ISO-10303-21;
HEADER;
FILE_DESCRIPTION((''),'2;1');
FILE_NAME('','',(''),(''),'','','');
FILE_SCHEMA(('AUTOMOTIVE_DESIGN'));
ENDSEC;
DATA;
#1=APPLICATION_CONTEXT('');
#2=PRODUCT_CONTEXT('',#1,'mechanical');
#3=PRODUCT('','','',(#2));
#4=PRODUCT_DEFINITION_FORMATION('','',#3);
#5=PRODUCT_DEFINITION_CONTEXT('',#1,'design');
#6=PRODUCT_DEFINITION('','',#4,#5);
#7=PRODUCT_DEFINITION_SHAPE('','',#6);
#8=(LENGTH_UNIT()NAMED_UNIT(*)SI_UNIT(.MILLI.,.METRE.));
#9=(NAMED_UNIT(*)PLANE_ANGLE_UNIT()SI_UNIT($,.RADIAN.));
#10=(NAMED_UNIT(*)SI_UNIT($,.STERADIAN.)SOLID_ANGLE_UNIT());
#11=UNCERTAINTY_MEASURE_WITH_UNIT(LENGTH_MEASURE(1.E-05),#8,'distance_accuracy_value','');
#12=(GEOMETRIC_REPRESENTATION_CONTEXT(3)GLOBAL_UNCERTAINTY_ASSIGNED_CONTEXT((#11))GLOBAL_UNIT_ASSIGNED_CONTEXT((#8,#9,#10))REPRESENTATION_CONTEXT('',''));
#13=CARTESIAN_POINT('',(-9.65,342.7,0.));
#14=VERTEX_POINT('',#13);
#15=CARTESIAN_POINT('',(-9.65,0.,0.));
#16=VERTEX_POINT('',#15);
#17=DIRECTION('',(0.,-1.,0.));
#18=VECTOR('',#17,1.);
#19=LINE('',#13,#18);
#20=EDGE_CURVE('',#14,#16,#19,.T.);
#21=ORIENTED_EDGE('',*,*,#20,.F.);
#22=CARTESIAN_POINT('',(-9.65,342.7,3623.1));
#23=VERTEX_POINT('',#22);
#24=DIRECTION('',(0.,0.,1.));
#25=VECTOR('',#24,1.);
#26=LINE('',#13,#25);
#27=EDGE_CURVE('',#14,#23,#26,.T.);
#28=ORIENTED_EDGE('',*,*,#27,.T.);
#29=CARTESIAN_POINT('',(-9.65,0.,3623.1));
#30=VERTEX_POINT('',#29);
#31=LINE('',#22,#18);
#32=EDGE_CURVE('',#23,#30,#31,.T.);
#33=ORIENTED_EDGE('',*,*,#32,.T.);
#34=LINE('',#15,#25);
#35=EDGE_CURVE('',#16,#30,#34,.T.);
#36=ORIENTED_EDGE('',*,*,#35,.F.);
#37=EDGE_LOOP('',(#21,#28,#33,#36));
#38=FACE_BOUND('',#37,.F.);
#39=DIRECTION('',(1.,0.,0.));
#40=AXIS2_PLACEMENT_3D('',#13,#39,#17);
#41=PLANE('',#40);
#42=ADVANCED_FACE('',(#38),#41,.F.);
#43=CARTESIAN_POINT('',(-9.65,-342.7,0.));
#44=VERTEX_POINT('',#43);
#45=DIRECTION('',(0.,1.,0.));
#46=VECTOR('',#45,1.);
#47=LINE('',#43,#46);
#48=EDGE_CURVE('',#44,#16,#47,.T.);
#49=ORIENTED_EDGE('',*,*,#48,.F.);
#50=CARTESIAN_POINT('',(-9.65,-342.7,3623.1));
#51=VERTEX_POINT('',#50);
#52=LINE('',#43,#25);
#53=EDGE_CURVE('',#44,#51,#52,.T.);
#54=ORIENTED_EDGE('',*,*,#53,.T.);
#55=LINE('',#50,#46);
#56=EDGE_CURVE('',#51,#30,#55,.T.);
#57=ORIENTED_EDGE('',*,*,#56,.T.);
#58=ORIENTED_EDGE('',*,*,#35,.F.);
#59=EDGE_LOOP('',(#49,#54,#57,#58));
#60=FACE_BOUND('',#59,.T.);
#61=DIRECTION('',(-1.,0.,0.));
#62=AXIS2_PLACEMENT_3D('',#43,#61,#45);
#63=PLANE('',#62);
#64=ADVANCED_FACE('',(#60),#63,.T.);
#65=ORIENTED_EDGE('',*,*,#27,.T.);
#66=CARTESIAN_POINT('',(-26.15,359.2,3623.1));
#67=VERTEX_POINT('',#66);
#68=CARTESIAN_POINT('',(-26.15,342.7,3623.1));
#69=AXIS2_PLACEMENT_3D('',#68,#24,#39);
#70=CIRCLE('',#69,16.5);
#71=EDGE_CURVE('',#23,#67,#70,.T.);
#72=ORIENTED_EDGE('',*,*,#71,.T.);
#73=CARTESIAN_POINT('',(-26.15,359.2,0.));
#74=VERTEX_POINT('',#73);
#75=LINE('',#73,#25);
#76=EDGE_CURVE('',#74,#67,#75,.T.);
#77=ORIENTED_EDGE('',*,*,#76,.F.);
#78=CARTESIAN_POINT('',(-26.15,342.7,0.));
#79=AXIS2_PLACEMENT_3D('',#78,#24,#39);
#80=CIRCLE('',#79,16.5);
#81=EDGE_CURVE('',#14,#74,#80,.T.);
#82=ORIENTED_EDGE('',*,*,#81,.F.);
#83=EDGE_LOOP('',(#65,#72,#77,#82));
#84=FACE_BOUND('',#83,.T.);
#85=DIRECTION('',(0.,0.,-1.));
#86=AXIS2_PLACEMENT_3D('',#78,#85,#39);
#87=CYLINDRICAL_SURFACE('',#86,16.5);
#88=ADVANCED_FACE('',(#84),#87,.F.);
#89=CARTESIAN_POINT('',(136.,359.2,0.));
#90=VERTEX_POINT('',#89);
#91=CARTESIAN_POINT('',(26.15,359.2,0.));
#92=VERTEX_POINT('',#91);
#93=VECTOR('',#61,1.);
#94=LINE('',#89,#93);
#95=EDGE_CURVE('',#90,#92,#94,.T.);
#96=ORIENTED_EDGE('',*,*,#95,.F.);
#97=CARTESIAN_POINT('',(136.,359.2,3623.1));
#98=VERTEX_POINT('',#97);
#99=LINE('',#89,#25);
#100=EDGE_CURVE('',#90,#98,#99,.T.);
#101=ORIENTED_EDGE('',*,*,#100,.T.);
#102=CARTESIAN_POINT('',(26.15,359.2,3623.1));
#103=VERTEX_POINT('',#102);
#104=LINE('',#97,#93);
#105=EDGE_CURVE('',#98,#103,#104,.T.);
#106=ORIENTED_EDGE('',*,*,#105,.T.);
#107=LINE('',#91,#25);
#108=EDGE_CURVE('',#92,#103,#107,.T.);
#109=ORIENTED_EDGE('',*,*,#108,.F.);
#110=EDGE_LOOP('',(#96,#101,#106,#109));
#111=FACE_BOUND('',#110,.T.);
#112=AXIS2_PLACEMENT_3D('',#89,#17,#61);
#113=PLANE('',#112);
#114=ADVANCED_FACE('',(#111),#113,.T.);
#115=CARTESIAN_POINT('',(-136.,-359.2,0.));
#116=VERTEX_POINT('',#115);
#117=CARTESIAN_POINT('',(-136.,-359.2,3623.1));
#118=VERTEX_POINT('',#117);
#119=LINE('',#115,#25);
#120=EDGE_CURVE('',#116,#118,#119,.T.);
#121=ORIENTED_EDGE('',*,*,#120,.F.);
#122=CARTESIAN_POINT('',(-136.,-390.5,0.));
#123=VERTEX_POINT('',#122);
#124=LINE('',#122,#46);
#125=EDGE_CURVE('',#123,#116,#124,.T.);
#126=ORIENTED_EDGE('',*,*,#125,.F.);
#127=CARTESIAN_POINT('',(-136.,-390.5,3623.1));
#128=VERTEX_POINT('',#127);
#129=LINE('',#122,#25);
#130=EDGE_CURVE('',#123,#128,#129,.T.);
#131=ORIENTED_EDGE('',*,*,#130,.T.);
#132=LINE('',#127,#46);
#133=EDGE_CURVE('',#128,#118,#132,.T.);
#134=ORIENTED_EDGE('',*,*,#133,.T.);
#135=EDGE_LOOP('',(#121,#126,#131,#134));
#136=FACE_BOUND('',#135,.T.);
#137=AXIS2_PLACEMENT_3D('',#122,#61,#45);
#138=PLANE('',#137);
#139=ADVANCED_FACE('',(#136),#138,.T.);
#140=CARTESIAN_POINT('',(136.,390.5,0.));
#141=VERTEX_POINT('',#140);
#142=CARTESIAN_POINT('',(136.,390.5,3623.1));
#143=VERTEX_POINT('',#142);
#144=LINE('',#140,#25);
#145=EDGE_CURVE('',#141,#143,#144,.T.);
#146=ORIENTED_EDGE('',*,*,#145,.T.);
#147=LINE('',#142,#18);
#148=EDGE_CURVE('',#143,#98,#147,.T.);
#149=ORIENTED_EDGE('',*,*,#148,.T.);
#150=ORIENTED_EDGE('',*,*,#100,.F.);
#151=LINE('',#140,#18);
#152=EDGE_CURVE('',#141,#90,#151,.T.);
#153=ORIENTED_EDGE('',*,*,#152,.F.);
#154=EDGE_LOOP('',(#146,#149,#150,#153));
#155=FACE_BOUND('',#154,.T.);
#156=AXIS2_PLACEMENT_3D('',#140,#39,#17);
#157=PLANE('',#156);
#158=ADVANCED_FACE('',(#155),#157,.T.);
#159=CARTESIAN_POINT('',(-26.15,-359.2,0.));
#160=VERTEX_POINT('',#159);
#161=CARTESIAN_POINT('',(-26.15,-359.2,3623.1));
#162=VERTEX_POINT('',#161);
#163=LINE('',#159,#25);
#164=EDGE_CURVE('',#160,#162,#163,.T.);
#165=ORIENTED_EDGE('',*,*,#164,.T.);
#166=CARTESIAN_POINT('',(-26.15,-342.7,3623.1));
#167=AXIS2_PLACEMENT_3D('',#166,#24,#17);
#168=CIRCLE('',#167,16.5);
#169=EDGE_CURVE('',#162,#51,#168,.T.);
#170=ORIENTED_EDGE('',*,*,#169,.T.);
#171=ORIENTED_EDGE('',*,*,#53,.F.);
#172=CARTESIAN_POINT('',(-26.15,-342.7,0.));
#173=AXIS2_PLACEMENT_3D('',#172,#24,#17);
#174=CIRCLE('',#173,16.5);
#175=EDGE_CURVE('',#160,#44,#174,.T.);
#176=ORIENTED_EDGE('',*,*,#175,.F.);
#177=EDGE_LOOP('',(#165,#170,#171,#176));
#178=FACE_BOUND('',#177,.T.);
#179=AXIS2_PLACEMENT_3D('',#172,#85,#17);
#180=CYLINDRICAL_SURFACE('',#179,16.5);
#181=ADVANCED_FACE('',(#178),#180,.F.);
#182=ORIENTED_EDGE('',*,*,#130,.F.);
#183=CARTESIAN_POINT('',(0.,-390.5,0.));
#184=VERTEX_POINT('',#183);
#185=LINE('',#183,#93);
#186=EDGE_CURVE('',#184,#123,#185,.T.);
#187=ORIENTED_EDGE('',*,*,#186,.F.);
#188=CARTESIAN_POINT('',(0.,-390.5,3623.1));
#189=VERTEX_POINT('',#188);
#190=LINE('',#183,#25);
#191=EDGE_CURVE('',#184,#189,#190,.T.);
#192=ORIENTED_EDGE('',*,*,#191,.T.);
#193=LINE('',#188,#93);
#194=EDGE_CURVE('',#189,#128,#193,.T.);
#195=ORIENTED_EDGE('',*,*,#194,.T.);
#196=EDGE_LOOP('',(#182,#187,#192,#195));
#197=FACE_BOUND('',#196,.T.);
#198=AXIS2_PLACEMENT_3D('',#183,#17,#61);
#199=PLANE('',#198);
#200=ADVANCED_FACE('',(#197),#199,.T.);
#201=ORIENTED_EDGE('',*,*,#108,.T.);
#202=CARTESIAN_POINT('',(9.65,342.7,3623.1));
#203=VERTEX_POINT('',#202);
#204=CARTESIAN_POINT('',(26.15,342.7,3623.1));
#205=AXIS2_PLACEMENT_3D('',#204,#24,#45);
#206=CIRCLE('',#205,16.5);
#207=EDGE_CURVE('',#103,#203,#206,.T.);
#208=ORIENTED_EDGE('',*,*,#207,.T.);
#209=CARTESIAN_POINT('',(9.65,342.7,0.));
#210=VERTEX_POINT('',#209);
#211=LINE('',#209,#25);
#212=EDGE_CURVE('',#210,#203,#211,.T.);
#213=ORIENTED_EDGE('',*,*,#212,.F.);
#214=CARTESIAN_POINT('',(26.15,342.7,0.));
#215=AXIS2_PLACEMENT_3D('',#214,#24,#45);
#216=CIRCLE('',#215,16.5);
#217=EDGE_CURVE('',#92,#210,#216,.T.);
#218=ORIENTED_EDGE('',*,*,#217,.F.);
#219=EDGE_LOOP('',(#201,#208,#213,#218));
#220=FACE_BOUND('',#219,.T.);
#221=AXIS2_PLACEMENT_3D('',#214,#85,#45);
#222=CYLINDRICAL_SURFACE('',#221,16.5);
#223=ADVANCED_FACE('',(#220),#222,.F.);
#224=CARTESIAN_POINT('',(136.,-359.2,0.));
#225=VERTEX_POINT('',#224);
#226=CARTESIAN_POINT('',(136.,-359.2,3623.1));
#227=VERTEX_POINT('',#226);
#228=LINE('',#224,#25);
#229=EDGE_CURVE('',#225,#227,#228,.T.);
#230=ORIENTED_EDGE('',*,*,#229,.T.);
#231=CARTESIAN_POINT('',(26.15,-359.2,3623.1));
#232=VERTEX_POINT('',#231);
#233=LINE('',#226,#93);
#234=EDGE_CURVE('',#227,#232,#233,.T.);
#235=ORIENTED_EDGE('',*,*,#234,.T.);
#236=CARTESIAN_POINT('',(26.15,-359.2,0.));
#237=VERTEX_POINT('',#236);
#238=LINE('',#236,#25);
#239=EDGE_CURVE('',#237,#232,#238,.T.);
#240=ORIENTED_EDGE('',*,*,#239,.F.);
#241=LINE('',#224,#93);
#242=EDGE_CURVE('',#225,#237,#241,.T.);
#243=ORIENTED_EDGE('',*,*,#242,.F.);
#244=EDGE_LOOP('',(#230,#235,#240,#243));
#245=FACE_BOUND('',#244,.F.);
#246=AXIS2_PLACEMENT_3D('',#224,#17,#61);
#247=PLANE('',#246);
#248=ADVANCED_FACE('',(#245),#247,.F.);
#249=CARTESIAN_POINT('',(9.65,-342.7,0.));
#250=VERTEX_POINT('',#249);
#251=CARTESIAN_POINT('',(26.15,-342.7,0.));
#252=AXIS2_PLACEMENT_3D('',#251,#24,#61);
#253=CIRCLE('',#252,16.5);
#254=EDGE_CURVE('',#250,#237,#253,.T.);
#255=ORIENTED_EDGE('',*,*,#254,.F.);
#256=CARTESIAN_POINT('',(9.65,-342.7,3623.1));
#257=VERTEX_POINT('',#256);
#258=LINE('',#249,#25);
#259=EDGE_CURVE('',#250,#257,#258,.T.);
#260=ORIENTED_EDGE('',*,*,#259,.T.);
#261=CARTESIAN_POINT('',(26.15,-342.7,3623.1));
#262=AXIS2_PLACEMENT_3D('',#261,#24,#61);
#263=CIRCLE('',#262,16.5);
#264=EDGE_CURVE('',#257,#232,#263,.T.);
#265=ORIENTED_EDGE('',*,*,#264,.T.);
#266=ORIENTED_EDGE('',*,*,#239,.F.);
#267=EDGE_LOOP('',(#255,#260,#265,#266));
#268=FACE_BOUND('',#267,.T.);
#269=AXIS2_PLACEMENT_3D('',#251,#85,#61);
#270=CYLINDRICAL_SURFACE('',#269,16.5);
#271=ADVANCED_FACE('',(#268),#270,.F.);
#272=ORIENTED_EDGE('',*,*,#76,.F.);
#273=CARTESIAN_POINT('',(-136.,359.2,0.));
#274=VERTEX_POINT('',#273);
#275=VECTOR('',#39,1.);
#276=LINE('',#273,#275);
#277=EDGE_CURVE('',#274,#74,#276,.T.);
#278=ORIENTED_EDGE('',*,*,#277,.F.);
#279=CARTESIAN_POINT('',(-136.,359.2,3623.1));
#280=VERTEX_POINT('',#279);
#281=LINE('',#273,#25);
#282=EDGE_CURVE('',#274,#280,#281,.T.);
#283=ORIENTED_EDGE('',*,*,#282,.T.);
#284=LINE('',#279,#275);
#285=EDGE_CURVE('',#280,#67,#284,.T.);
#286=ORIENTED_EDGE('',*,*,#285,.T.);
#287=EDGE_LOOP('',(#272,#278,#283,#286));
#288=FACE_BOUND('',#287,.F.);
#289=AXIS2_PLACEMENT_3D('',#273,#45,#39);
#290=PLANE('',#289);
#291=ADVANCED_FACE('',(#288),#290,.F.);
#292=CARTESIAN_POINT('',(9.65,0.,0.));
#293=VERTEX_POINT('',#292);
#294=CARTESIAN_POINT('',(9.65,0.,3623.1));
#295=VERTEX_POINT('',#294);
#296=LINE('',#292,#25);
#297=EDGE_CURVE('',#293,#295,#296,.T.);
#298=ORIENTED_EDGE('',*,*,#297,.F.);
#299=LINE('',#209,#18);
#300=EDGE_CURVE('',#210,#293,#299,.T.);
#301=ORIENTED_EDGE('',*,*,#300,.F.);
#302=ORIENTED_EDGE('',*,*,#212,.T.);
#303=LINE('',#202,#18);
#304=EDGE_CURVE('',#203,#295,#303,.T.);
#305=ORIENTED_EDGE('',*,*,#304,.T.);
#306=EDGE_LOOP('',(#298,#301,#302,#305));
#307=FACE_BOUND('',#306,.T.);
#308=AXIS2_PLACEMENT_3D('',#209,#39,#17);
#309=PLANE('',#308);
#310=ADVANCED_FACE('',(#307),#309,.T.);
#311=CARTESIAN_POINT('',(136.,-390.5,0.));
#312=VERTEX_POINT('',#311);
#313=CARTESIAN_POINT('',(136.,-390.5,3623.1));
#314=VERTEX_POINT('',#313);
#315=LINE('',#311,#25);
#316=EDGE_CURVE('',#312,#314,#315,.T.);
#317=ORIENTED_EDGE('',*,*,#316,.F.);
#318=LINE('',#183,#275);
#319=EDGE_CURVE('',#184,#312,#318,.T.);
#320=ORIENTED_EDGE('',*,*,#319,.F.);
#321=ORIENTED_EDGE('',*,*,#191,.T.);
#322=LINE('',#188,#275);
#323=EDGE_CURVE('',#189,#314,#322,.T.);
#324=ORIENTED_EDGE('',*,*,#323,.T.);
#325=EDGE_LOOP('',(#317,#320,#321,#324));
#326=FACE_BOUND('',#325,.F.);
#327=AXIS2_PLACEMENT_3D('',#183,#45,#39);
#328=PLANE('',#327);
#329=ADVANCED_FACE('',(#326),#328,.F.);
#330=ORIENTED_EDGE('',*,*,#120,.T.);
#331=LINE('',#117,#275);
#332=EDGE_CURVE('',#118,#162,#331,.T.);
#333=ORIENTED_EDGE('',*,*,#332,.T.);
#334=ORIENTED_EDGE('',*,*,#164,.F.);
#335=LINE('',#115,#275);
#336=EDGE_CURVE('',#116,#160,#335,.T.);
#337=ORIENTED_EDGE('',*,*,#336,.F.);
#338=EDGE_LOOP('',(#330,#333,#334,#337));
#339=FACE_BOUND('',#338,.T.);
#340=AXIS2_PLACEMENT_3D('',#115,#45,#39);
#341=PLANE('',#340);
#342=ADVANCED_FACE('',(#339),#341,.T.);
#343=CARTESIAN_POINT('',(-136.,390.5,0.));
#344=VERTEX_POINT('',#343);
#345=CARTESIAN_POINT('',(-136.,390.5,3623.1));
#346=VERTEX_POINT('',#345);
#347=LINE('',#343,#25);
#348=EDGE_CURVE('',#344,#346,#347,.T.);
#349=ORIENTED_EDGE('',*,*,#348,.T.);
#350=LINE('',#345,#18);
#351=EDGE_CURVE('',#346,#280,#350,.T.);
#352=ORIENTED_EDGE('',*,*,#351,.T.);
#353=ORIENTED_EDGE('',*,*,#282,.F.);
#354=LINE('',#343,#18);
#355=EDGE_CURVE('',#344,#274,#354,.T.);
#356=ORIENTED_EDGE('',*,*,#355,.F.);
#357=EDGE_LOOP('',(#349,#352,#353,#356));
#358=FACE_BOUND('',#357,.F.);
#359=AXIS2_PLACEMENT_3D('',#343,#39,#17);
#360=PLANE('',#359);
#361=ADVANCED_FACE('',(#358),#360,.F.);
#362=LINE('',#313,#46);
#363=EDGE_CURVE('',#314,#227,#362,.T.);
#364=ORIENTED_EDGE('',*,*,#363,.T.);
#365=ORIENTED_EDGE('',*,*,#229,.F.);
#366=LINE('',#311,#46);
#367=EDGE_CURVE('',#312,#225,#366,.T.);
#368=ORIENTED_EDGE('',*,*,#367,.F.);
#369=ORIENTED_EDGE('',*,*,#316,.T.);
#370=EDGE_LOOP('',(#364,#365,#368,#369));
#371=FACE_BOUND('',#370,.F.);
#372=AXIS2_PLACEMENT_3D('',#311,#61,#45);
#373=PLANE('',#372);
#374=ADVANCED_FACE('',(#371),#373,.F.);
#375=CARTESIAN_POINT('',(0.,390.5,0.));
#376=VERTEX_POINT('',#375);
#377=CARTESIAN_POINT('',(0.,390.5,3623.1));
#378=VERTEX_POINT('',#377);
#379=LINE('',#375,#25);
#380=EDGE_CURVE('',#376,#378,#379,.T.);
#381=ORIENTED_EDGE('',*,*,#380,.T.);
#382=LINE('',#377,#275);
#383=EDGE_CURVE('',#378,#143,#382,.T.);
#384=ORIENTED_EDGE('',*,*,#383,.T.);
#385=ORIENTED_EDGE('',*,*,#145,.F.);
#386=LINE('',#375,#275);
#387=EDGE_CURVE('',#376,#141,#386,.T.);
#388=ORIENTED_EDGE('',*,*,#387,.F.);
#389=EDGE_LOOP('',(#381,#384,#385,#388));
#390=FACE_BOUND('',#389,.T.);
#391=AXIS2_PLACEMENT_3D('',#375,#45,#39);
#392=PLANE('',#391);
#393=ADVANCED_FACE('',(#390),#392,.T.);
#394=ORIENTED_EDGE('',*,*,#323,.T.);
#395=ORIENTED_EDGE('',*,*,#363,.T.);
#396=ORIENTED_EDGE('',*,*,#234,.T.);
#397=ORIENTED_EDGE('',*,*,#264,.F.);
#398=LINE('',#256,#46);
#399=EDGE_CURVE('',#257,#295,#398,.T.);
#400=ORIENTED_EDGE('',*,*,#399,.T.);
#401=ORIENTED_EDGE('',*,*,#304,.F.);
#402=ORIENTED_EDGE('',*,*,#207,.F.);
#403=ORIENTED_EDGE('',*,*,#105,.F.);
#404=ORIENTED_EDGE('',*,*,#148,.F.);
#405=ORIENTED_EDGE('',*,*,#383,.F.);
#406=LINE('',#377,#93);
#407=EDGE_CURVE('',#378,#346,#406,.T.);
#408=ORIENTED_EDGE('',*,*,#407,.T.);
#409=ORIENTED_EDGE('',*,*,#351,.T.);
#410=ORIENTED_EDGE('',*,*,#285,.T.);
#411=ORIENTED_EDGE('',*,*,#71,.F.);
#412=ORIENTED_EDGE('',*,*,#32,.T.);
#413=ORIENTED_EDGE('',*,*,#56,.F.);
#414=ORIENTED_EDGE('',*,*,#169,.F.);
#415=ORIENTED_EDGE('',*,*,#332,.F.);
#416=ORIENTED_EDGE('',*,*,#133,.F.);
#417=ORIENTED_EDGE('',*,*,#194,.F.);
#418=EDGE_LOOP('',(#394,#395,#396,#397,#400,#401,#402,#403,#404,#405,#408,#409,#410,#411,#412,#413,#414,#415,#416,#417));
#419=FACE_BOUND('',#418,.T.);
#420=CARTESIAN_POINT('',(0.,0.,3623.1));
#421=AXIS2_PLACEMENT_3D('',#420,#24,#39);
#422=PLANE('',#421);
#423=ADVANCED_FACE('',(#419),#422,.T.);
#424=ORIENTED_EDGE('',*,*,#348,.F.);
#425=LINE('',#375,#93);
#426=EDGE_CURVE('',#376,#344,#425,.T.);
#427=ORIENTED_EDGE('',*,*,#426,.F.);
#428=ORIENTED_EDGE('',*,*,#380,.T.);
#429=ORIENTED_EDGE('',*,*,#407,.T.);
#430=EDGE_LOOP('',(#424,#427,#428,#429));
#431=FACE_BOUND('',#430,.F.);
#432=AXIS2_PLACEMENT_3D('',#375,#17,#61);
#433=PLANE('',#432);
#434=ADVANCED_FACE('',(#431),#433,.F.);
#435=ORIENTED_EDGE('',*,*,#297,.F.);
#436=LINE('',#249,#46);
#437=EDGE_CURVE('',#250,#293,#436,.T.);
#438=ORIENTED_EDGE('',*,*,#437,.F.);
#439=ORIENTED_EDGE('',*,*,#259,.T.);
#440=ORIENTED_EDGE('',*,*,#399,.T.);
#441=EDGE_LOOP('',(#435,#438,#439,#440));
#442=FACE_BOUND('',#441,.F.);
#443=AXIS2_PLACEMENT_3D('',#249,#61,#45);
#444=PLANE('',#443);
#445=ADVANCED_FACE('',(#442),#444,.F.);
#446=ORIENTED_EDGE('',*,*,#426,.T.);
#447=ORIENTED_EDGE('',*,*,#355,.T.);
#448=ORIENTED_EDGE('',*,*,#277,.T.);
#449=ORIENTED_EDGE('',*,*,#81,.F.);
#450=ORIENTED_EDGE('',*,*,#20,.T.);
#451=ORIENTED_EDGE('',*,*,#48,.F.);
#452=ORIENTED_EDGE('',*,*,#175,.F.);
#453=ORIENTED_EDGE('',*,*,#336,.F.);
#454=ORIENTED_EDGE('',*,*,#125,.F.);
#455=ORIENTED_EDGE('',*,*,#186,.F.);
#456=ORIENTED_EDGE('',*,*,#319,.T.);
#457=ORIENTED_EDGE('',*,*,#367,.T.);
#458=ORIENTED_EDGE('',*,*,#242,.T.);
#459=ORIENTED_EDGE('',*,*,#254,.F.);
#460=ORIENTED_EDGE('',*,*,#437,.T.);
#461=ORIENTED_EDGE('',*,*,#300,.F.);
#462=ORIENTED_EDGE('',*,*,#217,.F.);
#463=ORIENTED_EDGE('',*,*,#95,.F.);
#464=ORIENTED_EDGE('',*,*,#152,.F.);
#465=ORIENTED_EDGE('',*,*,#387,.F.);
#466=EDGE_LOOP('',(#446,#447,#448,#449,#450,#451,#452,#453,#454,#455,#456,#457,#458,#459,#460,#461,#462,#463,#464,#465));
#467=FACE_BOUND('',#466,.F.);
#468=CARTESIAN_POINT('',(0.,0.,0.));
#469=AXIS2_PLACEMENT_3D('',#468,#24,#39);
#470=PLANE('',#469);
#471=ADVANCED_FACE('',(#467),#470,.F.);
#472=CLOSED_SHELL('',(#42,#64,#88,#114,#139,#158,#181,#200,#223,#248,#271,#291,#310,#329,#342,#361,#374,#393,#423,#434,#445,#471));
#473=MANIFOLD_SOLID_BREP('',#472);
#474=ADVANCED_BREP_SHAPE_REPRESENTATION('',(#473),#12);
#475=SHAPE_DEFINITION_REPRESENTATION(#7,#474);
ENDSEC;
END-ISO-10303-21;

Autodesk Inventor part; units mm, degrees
ref_plane "YZ Plane" through (0, 0, 0) normal (1, 0, 0) x (0, 1, 0)
ref_plane "Start plane" through (0, 0, 0) normal (0, 0, 1) x (1, 0, 0)
ref_plane "End plane" through (0, 0, 3623.1) normal (0, 0, 1) x (1, 0, 0)
sketch "Sketch" plane through (0, 0, 0) normal (0, 0, 1) x (1, 0, 0)
  line L0 (-136, -390.5) -> (-136, -359.2)
  line L1 (-136, -359.2) -> (-26.15, -359.2)
  line L2 (-9.65, -342.7) -> (-9.65, 0)
  line L3 (-9.65, 0) -> (0, 0) construction
  line L4 (0, 0) -> (0, -390.5) construction
  line L5 (0, -390.5) -> (-136, -390.5)
  line L6 (-60, 0) -> (80, 0) construction
  line L7 (0, -60) -> (0, 80) construction
  line L8 (136, -390.5) -> (136, -359.2)
  line L9 (136, -359.2) -> (26.15, -359.2)
  line L10 (9.65, -342.7) -> (9.65, 0)
  line L11 (9.65, 0) -> (0, 0) construction
  line L12 (0, -390.5) -> (136, -390.5)
  line L13 (-136, 390.5) -> (-136, 359.2)
  line L14 (-136, 359.2) -> (-26.15, 359.2)
  line L15 (-9.65, 342.7) -> (-9.65, 0)
  line L16 (0, 390.5) -> (-136, 390.5)
  line L17 (136, 390.5) -> (136, 359.2)
  line L18 (136, 359.2) -> (26.15, 359.2)
  line L19 (0, 390.5) -> (136, 390.5)
  line L20 (9.65, 342.7) -> (9.65, 0)
  arc A0 (-9.65, 342.7) -> (-26.15, 359.2) centre (-26.15, 342.7) ccw
  arc A1 (26.15, 359.2) -> (9.65, 342.7) centre (26.15, 342.7) ccw
  arc A2 (9.65, -342.7) -> (26.15, -359.2) centre (26.15, -342.7) ccw
  arc A3 (-26.15, -359.2) -> (-9.65, -342.7) centre (-26.15, -342.7) ccw
  line L21 (0, 108) -> (0, -88) construction
  line L22 (-88, 0) -> (108, 0) construction
  point P0 (-9.65, -359.2)
  point P1 (9.65, -359.2)
  point P2 (-9.65, 359.2)
  point P3 (9.65, 359.2)
  dimension "d1" = 390.5
  dimension "d2" = 31.3
  dimension "d3" = 136
  dimension "d4" = 9.65
  dimension "d10" = 16.5
extrude "Body" add sketch "Sketch" along normal up to surface (3623.1 mm away) from surface at 0
sketch "Sketch4" plane through (0, 0, 0) normal (0, 0, 1) x (1, 0, 0)
  line L0 (0, 0) -> (10, 0)
ref_plane "Work Plane3" through (0, 0, 0) normal (0, -1, 0) x (1, 0, 0)
sketch "Sketch5" plane through (0, 0, 0) normal (0, -1, 0) x (1, 0, 0)
  line L0 (-2, 0) -> (12, 0) projected
  line L1 (-2, 3623.1) -> (12, 3623.1) projected
  dimension "d14" = 3623.1
equation "\"d1\" = 0.5 * G_H"
equation "\"d2\" = G_T1"
equation "\"d3\" = 0.5 * G_W"
equation "\"d4\" = 0.5 * G_T"
equation "\"d10\" = G_IR"
equation "\"d5\" = G_L"
equation "\"G_W\" = 272"
equation "\"G_H\" = 781"
equation "\"G_T\" = 19.3"
equation "\"G_T1\" = 31.3"
equation "\"G_IR\" = 16.5"
equation "\"G_L\" = d14"
equation "\"G_OFFSET_START\" = 0"
equation "\"G_OFFSET_END\" = 0"
equation "\"d12\" = G_OFFSET_END + B_L"
equation "\"B_L\" = 3623.1"
properties part number "AS 3679-1990 - 760 UB - 244 - 3623.1" material "Steel, Mild"
